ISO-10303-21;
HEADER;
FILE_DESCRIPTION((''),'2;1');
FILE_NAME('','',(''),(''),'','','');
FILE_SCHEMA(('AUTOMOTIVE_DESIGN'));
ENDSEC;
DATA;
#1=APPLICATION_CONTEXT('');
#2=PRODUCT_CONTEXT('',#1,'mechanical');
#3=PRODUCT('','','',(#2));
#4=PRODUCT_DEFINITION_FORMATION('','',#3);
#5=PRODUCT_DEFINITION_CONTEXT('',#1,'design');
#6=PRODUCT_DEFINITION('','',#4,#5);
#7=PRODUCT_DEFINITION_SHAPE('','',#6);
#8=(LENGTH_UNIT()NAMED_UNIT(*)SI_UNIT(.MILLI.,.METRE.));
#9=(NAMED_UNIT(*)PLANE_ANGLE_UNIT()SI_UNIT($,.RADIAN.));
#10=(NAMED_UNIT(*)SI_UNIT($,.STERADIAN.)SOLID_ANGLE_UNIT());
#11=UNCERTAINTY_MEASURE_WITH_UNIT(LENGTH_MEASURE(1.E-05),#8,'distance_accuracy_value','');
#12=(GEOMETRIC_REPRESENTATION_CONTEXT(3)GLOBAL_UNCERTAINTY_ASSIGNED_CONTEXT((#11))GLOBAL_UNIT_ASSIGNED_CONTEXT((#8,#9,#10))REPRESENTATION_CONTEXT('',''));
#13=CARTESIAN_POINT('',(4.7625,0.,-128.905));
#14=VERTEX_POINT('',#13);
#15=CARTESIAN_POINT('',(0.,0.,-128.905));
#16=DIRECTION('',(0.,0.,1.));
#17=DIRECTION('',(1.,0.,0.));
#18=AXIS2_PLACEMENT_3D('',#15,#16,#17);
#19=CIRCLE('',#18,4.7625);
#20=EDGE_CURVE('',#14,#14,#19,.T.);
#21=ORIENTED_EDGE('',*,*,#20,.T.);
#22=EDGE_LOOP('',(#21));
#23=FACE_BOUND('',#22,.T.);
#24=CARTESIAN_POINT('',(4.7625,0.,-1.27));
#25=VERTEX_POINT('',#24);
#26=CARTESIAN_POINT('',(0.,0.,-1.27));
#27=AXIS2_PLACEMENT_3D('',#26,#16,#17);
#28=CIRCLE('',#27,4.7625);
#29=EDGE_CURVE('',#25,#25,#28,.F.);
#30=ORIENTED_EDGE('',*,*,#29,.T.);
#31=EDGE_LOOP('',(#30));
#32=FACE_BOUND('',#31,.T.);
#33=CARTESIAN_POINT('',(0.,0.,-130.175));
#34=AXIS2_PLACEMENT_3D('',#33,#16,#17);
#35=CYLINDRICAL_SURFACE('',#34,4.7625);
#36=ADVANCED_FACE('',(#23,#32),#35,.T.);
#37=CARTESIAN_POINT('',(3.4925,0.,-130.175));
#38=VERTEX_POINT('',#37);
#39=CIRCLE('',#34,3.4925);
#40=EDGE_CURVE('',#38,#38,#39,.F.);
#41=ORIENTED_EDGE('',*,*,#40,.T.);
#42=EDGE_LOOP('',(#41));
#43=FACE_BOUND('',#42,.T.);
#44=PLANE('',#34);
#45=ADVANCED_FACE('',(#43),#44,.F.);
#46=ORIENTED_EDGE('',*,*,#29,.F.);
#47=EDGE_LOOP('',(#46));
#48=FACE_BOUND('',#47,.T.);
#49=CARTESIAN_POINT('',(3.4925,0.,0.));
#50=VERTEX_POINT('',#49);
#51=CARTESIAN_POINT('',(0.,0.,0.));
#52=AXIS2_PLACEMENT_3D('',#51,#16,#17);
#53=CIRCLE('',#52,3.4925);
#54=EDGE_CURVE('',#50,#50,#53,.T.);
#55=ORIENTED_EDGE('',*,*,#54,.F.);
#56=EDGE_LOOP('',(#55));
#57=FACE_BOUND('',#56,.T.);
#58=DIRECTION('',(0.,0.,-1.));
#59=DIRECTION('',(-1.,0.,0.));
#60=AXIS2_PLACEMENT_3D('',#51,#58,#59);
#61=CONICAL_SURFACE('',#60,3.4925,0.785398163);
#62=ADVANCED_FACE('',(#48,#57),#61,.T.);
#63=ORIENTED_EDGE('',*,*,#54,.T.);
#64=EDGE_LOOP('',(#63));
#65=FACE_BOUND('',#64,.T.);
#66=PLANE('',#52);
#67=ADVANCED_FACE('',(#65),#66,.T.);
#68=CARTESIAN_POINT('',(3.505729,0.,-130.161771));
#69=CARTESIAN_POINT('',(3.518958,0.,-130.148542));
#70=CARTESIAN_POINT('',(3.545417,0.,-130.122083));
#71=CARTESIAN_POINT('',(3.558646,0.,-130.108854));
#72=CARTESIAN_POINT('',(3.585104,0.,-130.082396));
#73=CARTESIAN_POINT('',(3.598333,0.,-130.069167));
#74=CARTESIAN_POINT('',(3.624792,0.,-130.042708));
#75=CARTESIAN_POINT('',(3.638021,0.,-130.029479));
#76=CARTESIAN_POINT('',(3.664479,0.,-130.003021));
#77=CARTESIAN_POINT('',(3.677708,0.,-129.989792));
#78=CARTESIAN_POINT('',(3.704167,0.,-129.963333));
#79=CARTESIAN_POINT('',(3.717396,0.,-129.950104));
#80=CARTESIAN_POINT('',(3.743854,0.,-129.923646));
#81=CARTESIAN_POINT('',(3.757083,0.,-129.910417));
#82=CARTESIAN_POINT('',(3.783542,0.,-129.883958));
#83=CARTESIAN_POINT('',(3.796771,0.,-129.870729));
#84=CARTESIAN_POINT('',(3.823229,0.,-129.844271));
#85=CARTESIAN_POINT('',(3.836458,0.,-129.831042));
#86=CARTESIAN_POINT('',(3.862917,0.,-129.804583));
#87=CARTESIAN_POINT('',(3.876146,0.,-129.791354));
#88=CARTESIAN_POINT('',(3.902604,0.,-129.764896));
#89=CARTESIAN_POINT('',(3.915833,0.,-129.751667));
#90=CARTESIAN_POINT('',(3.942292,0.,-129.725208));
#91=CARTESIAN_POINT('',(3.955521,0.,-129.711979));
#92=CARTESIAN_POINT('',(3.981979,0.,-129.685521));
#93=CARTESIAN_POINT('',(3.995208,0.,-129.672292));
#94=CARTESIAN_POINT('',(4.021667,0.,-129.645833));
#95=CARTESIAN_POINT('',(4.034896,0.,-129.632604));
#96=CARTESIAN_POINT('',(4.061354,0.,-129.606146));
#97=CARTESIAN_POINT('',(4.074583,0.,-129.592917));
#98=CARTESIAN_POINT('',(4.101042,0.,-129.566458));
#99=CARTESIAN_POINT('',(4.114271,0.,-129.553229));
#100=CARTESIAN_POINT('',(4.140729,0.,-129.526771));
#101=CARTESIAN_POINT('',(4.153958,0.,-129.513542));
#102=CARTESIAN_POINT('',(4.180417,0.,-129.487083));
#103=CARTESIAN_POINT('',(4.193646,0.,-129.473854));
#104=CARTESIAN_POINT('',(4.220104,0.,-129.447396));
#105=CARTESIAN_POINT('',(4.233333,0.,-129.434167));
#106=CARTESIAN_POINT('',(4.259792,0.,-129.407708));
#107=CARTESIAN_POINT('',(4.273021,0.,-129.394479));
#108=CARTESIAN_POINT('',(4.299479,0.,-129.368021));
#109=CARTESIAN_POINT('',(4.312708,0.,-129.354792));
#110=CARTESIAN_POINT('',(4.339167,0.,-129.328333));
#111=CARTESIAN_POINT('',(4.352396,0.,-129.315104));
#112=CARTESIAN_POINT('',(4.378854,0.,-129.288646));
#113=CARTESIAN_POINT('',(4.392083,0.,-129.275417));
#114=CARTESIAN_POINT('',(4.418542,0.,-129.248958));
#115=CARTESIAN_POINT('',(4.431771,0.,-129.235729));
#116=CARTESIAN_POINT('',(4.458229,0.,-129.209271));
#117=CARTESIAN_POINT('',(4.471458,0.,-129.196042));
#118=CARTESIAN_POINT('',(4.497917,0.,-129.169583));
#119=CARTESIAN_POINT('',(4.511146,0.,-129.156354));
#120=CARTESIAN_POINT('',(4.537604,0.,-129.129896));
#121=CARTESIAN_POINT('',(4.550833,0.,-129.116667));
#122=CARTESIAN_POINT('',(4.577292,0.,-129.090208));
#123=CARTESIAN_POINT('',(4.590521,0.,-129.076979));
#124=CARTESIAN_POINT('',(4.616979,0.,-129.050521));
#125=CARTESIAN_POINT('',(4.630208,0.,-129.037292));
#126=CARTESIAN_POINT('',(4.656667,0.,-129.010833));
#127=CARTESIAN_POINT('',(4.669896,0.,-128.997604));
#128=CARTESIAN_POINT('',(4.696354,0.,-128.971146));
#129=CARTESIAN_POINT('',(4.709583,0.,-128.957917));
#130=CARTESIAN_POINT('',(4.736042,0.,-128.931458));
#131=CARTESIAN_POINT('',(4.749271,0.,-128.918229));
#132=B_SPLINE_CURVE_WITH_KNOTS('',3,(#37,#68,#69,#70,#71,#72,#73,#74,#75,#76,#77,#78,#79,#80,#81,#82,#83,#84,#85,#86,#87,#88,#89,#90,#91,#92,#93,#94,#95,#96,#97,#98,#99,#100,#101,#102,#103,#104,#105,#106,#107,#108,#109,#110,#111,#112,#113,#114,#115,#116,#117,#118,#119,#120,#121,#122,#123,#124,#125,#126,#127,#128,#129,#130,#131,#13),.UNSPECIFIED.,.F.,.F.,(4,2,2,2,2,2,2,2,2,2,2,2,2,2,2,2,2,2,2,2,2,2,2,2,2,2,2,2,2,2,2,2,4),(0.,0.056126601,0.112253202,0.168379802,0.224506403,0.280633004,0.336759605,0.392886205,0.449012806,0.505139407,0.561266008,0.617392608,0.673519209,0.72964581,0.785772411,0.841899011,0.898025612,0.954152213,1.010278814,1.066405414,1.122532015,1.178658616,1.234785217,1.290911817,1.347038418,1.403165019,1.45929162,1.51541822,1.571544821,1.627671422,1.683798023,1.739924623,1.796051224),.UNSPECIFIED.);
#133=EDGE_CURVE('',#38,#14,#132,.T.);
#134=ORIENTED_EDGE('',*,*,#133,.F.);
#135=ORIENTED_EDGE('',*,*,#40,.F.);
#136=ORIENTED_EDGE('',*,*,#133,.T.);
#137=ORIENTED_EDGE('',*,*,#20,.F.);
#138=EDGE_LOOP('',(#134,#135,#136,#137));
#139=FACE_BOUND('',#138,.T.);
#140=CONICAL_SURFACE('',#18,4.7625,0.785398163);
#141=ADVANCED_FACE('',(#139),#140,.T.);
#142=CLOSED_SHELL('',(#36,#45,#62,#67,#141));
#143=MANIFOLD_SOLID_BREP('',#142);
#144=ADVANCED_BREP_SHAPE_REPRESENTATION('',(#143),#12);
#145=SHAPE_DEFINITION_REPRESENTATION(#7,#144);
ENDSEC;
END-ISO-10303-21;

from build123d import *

# Parameters (mm, degrees)
SKETCH1_R           = 4.7625
BOSS_EXTRUDE1_DEPTH = 130.175
CHAMFER1_SIZE       = 1.27


with BuildPart() as part:
    # Sketch1 → Boss-Extrude1 (new body)
    with BuildSketch(Plane.XY):
        Circle(SKETCH1_R)
    extrude(amount=-BOSS_EXTRUDE1_DEPTH)

    # Chamfer1
    chamfer1_edges = [part.edges().sort_by_distance(p)[0] for p in [
        (-4.7625, 0, 0),
        (-4.7625, 0, -130.175),
    ]]
    chamfer(chamfer1_edges, length=CHAMFER1_SIZE)


solid = part.part
